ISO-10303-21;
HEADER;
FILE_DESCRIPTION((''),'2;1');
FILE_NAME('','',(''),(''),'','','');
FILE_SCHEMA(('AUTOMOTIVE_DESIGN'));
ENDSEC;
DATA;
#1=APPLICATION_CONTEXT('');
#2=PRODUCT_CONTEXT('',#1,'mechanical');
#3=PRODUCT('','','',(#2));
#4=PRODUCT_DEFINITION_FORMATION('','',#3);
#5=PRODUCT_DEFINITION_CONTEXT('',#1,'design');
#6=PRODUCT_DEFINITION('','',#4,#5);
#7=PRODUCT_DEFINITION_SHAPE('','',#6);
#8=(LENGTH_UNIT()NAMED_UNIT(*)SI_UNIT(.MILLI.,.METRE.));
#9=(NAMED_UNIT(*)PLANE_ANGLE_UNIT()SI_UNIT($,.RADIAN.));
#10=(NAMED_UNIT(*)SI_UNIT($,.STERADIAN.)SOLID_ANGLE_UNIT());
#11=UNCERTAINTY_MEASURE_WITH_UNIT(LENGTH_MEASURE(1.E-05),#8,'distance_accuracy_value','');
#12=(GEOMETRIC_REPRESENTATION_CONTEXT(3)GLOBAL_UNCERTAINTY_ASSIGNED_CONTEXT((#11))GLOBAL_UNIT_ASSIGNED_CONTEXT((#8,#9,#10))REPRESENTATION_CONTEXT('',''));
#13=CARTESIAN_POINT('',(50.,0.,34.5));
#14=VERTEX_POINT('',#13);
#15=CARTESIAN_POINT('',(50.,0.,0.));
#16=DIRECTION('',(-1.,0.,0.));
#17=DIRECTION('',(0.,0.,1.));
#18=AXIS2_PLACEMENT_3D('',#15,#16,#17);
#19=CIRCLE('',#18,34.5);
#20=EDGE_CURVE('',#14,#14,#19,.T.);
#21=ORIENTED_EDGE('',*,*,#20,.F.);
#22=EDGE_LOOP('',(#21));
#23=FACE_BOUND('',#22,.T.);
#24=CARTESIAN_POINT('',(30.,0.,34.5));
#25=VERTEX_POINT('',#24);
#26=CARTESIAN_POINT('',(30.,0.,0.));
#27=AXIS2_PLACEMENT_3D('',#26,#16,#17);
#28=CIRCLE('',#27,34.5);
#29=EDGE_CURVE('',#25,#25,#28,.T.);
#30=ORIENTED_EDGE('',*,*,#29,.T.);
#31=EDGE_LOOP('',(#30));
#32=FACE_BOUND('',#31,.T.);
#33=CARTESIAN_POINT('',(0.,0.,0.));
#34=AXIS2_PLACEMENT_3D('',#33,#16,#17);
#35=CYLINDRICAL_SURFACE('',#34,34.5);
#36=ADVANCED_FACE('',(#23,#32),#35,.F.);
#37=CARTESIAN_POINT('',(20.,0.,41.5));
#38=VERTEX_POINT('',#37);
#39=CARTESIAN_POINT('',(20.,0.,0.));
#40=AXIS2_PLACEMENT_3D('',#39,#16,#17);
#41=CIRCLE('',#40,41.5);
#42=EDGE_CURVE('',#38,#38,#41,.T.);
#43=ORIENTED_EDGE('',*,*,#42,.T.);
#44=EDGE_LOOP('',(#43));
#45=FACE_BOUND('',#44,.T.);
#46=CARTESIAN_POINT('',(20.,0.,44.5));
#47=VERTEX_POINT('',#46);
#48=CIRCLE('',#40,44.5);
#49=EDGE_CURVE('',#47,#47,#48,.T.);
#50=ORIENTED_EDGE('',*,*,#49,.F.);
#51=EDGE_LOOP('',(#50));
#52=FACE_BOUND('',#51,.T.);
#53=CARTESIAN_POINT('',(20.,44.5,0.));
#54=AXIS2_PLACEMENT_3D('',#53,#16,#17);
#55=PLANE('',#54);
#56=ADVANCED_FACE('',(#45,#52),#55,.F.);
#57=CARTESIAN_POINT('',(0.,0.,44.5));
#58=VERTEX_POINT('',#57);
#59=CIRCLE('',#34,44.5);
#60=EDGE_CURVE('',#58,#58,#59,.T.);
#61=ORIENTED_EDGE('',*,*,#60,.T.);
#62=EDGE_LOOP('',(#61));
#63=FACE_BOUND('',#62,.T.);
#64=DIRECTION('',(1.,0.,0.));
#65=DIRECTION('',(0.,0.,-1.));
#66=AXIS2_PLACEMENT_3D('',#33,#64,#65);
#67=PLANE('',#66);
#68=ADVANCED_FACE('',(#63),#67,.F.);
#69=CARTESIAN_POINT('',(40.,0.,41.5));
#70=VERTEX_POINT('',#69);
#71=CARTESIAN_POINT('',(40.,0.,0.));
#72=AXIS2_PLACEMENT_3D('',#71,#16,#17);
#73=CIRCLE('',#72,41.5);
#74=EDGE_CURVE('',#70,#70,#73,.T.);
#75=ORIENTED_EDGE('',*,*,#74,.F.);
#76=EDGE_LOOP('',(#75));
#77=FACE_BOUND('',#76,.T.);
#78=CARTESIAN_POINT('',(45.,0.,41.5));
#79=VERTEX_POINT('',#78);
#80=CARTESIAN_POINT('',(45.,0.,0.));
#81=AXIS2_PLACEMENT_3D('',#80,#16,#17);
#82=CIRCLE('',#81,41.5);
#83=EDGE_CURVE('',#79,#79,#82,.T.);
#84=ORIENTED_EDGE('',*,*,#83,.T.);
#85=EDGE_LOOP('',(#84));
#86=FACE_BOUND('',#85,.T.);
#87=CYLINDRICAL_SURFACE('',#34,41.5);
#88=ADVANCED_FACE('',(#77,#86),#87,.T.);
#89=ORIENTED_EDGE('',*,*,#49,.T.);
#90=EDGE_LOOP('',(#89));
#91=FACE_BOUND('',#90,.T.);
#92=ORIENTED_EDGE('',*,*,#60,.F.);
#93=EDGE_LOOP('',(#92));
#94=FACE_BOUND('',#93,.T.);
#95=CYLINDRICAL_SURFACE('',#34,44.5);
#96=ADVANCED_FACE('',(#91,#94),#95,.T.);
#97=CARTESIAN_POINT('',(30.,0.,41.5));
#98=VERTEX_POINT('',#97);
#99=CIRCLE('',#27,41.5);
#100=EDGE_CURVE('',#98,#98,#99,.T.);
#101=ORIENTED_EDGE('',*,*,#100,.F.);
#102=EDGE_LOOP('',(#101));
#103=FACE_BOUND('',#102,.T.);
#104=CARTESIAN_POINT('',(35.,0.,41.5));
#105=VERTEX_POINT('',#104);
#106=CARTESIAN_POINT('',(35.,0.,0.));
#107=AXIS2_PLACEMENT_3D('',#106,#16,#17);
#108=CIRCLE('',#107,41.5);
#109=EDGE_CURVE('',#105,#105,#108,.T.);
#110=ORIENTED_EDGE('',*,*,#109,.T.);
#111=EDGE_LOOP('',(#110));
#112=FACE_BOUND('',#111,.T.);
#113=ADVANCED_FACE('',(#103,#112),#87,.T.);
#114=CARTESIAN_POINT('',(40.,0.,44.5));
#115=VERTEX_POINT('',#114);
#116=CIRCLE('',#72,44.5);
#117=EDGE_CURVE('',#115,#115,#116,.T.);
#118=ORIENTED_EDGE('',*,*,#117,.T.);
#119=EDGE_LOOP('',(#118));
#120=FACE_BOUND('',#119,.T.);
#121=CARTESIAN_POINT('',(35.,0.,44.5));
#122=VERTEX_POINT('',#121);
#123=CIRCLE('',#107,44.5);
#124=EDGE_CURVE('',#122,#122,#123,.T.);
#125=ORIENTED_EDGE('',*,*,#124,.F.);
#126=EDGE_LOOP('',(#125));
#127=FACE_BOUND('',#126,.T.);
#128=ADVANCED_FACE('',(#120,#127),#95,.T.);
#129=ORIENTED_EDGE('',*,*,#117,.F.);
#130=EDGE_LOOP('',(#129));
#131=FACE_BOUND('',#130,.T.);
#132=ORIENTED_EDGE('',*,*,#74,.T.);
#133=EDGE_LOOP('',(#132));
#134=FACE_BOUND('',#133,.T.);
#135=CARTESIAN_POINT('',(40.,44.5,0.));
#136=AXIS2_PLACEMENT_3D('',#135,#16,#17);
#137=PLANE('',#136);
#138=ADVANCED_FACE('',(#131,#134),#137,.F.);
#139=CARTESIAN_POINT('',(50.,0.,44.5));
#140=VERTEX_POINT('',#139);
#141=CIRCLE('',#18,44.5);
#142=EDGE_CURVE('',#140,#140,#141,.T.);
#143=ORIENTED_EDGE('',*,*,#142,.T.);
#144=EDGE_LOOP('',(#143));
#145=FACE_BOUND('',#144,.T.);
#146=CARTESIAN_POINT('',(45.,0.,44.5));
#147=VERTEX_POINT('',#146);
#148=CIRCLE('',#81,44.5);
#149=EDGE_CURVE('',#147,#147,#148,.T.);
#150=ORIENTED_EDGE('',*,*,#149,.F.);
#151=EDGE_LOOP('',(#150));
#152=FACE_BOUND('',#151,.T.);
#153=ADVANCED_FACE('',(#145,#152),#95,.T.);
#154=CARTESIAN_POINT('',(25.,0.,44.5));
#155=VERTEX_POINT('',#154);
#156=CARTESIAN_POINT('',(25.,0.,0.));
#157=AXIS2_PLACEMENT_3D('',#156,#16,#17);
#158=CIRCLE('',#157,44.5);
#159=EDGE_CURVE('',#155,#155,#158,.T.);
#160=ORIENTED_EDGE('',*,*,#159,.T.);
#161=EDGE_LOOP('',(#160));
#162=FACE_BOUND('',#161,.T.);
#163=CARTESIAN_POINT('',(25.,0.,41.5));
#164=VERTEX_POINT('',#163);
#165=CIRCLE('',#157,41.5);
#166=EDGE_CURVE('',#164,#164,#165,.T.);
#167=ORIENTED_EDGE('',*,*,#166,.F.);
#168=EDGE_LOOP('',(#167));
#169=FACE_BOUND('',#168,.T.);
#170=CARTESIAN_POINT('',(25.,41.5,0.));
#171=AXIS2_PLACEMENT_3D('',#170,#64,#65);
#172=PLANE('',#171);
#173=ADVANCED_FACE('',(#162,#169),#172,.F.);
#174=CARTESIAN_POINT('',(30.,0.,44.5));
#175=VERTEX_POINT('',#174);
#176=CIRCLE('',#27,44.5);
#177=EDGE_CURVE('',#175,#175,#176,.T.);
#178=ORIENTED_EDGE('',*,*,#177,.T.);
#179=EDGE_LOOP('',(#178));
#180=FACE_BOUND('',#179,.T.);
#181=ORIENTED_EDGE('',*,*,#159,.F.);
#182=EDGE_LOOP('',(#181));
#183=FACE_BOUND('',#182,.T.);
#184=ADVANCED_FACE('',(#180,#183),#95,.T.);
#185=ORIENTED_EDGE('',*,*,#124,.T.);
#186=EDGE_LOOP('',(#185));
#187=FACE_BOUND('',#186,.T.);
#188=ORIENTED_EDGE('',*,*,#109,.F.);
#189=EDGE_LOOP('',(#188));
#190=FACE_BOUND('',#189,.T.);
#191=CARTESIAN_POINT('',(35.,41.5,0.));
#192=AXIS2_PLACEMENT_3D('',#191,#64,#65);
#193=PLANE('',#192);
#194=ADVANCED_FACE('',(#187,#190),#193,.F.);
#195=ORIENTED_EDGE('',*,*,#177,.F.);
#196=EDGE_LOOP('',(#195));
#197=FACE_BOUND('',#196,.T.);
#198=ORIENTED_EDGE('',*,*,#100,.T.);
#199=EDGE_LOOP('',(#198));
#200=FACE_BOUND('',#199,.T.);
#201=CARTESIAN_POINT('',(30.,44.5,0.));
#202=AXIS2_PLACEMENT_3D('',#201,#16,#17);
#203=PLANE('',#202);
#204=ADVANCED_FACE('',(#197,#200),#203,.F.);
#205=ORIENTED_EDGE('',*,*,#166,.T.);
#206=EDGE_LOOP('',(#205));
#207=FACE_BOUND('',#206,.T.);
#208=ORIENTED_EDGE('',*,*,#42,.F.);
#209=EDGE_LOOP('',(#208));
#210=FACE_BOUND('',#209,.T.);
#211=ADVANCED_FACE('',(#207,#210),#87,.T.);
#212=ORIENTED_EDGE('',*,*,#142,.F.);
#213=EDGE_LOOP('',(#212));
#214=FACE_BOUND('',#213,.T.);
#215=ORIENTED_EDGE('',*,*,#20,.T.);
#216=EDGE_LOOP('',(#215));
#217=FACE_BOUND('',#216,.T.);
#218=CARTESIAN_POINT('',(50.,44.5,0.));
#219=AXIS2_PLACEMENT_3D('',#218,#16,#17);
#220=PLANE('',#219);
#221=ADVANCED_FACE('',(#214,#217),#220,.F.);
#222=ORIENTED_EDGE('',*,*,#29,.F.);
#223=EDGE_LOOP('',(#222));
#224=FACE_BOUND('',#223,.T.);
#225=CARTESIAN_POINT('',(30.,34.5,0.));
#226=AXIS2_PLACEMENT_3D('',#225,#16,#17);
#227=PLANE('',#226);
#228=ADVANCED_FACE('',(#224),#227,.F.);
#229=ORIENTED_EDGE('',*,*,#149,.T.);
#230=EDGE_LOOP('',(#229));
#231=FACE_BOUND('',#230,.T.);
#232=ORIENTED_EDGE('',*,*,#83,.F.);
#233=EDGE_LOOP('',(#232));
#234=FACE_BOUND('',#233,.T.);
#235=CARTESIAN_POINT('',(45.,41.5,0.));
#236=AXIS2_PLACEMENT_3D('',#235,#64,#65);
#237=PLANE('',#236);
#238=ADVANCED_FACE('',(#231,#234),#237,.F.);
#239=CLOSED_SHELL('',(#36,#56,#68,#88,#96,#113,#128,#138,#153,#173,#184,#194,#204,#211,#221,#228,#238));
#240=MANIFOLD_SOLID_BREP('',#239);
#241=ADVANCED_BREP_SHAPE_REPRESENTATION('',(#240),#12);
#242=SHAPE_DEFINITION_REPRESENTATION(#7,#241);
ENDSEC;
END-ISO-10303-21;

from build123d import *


with BuildPart() as part:
    # Sketch1 → Revolve1 (revolve)
    with BuildSketch(Plane.XY):
        Polygon((0, 0), (0, 44.5), (20, 44.5), (20, 41.5), (25, 41.5), (25, 44.5), (30, 44.5), (30, 41.5), (35, 41.5), (35, 44.5), (40, 44.5), (40, 41.5), (45, 41.5), (45, 44.5), (50, 44.5), (50, 34.5), (30, 34.5), (30, 0), align=None)
    revolve(axis=Axis((0, 0, 0), (1, 0, 0)))


solid = part.part
